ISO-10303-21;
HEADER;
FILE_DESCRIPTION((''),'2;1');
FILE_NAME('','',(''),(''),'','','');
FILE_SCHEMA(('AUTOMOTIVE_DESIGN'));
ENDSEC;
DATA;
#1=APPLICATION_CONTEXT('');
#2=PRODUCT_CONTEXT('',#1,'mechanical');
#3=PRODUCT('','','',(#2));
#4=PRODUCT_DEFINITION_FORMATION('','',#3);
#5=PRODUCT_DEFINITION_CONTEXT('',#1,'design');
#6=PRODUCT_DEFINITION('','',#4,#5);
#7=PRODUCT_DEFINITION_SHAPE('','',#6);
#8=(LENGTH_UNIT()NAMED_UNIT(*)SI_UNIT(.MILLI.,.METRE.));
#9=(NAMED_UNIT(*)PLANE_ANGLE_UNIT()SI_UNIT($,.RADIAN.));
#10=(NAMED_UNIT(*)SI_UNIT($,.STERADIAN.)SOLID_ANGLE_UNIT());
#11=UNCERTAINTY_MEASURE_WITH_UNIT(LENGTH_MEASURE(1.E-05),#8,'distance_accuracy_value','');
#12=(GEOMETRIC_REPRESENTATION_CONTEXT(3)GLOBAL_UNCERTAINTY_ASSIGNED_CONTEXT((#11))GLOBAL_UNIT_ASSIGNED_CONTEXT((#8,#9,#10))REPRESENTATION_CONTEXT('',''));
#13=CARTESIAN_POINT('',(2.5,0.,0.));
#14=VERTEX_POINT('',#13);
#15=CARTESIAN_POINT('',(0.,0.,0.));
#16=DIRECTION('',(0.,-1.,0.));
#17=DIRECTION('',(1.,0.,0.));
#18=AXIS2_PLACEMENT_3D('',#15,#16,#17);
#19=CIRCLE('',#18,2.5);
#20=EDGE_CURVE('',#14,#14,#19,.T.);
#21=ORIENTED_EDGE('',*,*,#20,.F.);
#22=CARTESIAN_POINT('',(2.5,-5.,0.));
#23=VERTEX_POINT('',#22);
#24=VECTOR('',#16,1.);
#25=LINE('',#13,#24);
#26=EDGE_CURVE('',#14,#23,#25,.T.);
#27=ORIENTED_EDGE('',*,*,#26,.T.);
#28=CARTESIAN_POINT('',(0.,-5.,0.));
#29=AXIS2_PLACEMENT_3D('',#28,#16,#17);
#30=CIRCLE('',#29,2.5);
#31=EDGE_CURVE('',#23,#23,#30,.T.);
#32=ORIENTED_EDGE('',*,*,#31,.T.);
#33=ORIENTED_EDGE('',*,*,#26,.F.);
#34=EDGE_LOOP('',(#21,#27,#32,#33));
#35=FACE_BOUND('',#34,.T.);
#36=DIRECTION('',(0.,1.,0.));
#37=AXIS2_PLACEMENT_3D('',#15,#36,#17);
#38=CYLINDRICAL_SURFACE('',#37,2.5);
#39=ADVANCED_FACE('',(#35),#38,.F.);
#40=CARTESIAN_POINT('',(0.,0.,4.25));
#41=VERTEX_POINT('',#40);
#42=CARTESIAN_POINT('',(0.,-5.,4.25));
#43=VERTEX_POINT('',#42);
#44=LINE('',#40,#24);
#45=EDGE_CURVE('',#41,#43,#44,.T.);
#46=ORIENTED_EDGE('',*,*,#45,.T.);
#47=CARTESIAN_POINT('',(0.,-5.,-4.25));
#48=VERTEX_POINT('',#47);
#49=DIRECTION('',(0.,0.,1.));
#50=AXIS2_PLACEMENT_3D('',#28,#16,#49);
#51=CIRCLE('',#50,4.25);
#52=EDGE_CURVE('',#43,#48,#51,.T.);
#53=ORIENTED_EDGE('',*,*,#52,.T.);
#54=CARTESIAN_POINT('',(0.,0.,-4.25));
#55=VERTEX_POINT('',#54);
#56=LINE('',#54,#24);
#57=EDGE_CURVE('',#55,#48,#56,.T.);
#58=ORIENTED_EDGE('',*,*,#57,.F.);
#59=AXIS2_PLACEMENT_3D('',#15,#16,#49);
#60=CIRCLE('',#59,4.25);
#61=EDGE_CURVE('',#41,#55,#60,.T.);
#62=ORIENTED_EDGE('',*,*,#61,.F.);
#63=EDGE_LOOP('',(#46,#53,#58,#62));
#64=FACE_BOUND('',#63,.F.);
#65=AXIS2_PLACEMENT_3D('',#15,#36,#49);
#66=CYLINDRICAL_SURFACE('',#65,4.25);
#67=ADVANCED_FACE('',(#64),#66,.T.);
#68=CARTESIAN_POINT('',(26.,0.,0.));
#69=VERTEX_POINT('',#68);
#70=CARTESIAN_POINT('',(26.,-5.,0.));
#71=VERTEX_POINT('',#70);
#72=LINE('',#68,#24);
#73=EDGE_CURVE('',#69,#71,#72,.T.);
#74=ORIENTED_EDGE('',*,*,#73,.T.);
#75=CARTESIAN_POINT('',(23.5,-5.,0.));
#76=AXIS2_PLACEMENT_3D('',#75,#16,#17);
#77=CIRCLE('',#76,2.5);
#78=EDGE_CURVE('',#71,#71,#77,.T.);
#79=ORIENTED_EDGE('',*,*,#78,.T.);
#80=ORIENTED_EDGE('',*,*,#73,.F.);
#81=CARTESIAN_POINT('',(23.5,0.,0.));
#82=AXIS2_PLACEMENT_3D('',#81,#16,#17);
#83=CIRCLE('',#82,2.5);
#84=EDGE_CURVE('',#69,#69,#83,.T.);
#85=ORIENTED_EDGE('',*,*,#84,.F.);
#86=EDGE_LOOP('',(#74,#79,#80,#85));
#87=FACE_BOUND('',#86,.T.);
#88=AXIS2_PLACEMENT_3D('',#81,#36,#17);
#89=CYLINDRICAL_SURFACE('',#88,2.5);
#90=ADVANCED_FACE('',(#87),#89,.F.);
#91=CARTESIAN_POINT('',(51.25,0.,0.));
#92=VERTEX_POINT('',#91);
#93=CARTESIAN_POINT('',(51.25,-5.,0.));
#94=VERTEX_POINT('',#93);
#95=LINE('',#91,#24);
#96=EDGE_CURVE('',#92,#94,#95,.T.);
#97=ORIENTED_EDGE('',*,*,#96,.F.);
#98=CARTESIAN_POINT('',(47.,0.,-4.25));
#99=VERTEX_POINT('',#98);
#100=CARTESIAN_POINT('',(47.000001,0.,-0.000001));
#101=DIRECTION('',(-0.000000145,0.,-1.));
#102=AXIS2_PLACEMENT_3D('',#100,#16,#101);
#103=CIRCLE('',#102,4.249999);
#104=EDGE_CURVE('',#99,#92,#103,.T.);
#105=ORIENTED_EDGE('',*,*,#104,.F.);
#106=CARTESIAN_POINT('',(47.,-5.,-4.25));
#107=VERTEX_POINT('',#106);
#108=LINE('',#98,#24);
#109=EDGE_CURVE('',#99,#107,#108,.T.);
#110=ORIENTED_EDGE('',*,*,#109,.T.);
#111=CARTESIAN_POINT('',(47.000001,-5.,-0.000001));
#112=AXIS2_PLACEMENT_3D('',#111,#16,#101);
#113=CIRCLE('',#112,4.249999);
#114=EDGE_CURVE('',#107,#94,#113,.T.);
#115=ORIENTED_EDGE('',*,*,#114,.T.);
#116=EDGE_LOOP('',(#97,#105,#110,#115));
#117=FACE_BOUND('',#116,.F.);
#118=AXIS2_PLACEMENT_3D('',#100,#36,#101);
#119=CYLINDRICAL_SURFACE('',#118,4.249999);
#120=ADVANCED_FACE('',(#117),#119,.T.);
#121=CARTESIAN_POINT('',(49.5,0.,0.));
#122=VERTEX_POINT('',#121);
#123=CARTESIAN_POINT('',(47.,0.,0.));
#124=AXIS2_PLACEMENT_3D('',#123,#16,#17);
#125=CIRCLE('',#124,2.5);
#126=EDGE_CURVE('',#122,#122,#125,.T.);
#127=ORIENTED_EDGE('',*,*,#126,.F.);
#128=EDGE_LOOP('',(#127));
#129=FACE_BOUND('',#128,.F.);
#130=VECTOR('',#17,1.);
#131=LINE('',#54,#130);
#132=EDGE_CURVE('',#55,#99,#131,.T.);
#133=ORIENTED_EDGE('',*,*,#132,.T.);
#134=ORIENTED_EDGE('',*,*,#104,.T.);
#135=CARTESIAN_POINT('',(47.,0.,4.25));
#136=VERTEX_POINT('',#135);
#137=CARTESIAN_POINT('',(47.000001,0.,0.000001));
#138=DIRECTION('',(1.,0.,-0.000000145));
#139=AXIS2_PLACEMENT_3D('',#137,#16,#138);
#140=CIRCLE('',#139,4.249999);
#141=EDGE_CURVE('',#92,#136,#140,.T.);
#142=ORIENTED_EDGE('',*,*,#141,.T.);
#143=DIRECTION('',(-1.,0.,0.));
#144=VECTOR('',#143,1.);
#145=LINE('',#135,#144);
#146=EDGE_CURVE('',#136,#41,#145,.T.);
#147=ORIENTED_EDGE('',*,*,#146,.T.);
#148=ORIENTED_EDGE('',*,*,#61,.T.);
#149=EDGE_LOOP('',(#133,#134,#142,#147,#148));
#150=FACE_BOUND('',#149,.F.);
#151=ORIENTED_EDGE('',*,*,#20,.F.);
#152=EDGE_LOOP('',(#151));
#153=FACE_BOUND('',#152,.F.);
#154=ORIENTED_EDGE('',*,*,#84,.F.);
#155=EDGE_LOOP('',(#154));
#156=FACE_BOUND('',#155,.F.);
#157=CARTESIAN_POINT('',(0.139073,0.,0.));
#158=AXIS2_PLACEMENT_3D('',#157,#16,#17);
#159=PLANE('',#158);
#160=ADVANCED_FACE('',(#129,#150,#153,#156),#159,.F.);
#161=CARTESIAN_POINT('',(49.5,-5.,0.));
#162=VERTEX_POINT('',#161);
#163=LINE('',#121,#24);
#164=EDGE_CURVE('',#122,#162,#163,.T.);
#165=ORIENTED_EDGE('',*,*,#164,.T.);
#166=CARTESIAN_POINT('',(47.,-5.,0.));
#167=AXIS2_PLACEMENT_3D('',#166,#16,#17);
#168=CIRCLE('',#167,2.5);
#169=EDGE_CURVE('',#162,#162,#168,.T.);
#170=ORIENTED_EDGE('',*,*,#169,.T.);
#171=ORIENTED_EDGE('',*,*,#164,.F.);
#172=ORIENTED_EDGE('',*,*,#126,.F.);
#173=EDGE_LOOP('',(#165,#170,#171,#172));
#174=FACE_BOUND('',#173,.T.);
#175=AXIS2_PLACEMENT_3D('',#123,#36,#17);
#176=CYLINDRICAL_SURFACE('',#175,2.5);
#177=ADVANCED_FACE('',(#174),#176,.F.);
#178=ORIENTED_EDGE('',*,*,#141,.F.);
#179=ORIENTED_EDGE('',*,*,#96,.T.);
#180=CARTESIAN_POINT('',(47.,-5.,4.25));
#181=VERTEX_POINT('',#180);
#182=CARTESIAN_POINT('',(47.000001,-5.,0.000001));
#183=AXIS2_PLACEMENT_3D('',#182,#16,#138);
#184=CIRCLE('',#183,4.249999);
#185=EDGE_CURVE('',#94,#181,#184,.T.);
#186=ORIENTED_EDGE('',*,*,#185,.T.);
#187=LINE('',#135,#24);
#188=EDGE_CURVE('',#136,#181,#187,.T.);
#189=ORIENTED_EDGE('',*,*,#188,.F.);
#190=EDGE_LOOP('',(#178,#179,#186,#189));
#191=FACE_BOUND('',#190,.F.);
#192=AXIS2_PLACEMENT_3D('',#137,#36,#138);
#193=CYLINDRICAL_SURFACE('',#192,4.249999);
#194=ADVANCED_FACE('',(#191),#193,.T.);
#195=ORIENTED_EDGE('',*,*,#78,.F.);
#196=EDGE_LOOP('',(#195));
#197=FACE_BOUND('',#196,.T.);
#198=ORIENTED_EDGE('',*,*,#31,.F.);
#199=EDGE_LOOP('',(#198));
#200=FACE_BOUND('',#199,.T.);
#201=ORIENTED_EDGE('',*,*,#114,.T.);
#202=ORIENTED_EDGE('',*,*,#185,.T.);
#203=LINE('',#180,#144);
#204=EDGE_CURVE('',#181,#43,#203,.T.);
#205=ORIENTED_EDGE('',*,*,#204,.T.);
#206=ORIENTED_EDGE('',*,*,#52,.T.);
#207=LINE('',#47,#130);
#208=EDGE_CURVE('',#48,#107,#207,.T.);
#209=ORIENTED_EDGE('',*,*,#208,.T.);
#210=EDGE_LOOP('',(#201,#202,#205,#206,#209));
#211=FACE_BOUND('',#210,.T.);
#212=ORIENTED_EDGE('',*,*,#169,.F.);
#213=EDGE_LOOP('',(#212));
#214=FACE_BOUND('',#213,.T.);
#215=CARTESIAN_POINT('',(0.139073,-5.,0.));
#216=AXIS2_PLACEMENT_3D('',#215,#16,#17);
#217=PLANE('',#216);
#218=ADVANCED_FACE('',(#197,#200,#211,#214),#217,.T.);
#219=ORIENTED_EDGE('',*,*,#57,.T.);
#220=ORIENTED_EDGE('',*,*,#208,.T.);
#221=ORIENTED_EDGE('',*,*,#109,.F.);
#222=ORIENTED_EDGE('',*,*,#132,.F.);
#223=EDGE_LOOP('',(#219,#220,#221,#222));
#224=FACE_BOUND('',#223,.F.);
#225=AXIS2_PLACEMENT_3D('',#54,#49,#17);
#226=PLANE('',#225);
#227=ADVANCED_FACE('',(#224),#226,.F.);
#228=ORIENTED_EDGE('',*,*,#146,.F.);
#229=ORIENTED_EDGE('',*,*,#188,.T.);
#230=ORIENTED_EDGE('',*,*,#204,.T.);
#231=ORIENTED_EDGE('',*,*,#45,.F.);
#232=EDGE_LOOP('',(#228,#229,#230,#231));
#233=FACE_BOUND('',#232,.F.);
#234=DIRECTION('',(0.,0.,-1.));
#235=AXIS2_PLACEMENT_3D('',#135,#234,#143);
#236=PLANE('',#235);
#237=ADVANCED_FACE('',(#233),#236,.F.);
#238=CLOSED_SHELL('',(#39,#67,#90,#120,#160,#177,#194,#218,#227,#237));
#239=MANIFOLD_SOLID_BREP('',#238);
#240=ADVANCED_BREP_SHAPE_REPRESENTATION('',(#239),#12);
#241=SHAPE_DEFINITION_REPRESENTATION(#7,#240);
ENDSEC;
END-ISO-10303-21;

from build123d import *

# Parameters (mm, degrees)
F0_R     = 2.5
F1_DEPTH = 5


with BuildPart() as f1:
    # F0 (on Front) → F1 (new body)
    with BuildSketch(Plane.XZ):
        with BuildLine():
            ThreePointArc((0, -4.25), (3.005204, -3.005204), (4.25, 0))
            ThreePointArc((4.25, 0), (3.005204, 3.005204), (0, 4.25))
            ThreePointArc((0, 4.25), (-4.25, 0), (0, -4.25))
        make_face()
        Circle(F0_R, mode=Mode.SUBTRACT)
        with BuildLine():
            ThreePointArc((0, 4.25), (3.005204, 3.005204), (4.25, 0))
            ThreePointArc((4.25, 0), (3.005204, -3.005204), (0, -4.25))
            Line((0, -4.25), (23.5, -4.25))
            Line((23.5, -4.25), (47, -4.25))
            ThreePointArc((47, -4.25), (42.75, 0), (47, 4.25))
            Line((47, 4.25), (23.5, 4.25))
            Line((23.5, 4.25), (0, 4.25))
        make_face()
        with Locations((23.5, 0)):
            Circle(F0_R, mode=Mode.SUBTRACT)
        with BuildLine():
            ThreePointArc((51.25, 0), (50.005204, 3.005204), (47, 4.25))
            ThreePointArc((47, 4.25), (42.75, 0), (47, -4.25))
            ThreePointArc((47, -4.25), (50.005204, -3.005204), (51.25, 0))
        make_face()
        with Locations((47, 0)):
            Circle(F0_R, mode=Mode.SUBTRACT)
    extrude(amount=F1_DEPTH)


solid = f1.part
